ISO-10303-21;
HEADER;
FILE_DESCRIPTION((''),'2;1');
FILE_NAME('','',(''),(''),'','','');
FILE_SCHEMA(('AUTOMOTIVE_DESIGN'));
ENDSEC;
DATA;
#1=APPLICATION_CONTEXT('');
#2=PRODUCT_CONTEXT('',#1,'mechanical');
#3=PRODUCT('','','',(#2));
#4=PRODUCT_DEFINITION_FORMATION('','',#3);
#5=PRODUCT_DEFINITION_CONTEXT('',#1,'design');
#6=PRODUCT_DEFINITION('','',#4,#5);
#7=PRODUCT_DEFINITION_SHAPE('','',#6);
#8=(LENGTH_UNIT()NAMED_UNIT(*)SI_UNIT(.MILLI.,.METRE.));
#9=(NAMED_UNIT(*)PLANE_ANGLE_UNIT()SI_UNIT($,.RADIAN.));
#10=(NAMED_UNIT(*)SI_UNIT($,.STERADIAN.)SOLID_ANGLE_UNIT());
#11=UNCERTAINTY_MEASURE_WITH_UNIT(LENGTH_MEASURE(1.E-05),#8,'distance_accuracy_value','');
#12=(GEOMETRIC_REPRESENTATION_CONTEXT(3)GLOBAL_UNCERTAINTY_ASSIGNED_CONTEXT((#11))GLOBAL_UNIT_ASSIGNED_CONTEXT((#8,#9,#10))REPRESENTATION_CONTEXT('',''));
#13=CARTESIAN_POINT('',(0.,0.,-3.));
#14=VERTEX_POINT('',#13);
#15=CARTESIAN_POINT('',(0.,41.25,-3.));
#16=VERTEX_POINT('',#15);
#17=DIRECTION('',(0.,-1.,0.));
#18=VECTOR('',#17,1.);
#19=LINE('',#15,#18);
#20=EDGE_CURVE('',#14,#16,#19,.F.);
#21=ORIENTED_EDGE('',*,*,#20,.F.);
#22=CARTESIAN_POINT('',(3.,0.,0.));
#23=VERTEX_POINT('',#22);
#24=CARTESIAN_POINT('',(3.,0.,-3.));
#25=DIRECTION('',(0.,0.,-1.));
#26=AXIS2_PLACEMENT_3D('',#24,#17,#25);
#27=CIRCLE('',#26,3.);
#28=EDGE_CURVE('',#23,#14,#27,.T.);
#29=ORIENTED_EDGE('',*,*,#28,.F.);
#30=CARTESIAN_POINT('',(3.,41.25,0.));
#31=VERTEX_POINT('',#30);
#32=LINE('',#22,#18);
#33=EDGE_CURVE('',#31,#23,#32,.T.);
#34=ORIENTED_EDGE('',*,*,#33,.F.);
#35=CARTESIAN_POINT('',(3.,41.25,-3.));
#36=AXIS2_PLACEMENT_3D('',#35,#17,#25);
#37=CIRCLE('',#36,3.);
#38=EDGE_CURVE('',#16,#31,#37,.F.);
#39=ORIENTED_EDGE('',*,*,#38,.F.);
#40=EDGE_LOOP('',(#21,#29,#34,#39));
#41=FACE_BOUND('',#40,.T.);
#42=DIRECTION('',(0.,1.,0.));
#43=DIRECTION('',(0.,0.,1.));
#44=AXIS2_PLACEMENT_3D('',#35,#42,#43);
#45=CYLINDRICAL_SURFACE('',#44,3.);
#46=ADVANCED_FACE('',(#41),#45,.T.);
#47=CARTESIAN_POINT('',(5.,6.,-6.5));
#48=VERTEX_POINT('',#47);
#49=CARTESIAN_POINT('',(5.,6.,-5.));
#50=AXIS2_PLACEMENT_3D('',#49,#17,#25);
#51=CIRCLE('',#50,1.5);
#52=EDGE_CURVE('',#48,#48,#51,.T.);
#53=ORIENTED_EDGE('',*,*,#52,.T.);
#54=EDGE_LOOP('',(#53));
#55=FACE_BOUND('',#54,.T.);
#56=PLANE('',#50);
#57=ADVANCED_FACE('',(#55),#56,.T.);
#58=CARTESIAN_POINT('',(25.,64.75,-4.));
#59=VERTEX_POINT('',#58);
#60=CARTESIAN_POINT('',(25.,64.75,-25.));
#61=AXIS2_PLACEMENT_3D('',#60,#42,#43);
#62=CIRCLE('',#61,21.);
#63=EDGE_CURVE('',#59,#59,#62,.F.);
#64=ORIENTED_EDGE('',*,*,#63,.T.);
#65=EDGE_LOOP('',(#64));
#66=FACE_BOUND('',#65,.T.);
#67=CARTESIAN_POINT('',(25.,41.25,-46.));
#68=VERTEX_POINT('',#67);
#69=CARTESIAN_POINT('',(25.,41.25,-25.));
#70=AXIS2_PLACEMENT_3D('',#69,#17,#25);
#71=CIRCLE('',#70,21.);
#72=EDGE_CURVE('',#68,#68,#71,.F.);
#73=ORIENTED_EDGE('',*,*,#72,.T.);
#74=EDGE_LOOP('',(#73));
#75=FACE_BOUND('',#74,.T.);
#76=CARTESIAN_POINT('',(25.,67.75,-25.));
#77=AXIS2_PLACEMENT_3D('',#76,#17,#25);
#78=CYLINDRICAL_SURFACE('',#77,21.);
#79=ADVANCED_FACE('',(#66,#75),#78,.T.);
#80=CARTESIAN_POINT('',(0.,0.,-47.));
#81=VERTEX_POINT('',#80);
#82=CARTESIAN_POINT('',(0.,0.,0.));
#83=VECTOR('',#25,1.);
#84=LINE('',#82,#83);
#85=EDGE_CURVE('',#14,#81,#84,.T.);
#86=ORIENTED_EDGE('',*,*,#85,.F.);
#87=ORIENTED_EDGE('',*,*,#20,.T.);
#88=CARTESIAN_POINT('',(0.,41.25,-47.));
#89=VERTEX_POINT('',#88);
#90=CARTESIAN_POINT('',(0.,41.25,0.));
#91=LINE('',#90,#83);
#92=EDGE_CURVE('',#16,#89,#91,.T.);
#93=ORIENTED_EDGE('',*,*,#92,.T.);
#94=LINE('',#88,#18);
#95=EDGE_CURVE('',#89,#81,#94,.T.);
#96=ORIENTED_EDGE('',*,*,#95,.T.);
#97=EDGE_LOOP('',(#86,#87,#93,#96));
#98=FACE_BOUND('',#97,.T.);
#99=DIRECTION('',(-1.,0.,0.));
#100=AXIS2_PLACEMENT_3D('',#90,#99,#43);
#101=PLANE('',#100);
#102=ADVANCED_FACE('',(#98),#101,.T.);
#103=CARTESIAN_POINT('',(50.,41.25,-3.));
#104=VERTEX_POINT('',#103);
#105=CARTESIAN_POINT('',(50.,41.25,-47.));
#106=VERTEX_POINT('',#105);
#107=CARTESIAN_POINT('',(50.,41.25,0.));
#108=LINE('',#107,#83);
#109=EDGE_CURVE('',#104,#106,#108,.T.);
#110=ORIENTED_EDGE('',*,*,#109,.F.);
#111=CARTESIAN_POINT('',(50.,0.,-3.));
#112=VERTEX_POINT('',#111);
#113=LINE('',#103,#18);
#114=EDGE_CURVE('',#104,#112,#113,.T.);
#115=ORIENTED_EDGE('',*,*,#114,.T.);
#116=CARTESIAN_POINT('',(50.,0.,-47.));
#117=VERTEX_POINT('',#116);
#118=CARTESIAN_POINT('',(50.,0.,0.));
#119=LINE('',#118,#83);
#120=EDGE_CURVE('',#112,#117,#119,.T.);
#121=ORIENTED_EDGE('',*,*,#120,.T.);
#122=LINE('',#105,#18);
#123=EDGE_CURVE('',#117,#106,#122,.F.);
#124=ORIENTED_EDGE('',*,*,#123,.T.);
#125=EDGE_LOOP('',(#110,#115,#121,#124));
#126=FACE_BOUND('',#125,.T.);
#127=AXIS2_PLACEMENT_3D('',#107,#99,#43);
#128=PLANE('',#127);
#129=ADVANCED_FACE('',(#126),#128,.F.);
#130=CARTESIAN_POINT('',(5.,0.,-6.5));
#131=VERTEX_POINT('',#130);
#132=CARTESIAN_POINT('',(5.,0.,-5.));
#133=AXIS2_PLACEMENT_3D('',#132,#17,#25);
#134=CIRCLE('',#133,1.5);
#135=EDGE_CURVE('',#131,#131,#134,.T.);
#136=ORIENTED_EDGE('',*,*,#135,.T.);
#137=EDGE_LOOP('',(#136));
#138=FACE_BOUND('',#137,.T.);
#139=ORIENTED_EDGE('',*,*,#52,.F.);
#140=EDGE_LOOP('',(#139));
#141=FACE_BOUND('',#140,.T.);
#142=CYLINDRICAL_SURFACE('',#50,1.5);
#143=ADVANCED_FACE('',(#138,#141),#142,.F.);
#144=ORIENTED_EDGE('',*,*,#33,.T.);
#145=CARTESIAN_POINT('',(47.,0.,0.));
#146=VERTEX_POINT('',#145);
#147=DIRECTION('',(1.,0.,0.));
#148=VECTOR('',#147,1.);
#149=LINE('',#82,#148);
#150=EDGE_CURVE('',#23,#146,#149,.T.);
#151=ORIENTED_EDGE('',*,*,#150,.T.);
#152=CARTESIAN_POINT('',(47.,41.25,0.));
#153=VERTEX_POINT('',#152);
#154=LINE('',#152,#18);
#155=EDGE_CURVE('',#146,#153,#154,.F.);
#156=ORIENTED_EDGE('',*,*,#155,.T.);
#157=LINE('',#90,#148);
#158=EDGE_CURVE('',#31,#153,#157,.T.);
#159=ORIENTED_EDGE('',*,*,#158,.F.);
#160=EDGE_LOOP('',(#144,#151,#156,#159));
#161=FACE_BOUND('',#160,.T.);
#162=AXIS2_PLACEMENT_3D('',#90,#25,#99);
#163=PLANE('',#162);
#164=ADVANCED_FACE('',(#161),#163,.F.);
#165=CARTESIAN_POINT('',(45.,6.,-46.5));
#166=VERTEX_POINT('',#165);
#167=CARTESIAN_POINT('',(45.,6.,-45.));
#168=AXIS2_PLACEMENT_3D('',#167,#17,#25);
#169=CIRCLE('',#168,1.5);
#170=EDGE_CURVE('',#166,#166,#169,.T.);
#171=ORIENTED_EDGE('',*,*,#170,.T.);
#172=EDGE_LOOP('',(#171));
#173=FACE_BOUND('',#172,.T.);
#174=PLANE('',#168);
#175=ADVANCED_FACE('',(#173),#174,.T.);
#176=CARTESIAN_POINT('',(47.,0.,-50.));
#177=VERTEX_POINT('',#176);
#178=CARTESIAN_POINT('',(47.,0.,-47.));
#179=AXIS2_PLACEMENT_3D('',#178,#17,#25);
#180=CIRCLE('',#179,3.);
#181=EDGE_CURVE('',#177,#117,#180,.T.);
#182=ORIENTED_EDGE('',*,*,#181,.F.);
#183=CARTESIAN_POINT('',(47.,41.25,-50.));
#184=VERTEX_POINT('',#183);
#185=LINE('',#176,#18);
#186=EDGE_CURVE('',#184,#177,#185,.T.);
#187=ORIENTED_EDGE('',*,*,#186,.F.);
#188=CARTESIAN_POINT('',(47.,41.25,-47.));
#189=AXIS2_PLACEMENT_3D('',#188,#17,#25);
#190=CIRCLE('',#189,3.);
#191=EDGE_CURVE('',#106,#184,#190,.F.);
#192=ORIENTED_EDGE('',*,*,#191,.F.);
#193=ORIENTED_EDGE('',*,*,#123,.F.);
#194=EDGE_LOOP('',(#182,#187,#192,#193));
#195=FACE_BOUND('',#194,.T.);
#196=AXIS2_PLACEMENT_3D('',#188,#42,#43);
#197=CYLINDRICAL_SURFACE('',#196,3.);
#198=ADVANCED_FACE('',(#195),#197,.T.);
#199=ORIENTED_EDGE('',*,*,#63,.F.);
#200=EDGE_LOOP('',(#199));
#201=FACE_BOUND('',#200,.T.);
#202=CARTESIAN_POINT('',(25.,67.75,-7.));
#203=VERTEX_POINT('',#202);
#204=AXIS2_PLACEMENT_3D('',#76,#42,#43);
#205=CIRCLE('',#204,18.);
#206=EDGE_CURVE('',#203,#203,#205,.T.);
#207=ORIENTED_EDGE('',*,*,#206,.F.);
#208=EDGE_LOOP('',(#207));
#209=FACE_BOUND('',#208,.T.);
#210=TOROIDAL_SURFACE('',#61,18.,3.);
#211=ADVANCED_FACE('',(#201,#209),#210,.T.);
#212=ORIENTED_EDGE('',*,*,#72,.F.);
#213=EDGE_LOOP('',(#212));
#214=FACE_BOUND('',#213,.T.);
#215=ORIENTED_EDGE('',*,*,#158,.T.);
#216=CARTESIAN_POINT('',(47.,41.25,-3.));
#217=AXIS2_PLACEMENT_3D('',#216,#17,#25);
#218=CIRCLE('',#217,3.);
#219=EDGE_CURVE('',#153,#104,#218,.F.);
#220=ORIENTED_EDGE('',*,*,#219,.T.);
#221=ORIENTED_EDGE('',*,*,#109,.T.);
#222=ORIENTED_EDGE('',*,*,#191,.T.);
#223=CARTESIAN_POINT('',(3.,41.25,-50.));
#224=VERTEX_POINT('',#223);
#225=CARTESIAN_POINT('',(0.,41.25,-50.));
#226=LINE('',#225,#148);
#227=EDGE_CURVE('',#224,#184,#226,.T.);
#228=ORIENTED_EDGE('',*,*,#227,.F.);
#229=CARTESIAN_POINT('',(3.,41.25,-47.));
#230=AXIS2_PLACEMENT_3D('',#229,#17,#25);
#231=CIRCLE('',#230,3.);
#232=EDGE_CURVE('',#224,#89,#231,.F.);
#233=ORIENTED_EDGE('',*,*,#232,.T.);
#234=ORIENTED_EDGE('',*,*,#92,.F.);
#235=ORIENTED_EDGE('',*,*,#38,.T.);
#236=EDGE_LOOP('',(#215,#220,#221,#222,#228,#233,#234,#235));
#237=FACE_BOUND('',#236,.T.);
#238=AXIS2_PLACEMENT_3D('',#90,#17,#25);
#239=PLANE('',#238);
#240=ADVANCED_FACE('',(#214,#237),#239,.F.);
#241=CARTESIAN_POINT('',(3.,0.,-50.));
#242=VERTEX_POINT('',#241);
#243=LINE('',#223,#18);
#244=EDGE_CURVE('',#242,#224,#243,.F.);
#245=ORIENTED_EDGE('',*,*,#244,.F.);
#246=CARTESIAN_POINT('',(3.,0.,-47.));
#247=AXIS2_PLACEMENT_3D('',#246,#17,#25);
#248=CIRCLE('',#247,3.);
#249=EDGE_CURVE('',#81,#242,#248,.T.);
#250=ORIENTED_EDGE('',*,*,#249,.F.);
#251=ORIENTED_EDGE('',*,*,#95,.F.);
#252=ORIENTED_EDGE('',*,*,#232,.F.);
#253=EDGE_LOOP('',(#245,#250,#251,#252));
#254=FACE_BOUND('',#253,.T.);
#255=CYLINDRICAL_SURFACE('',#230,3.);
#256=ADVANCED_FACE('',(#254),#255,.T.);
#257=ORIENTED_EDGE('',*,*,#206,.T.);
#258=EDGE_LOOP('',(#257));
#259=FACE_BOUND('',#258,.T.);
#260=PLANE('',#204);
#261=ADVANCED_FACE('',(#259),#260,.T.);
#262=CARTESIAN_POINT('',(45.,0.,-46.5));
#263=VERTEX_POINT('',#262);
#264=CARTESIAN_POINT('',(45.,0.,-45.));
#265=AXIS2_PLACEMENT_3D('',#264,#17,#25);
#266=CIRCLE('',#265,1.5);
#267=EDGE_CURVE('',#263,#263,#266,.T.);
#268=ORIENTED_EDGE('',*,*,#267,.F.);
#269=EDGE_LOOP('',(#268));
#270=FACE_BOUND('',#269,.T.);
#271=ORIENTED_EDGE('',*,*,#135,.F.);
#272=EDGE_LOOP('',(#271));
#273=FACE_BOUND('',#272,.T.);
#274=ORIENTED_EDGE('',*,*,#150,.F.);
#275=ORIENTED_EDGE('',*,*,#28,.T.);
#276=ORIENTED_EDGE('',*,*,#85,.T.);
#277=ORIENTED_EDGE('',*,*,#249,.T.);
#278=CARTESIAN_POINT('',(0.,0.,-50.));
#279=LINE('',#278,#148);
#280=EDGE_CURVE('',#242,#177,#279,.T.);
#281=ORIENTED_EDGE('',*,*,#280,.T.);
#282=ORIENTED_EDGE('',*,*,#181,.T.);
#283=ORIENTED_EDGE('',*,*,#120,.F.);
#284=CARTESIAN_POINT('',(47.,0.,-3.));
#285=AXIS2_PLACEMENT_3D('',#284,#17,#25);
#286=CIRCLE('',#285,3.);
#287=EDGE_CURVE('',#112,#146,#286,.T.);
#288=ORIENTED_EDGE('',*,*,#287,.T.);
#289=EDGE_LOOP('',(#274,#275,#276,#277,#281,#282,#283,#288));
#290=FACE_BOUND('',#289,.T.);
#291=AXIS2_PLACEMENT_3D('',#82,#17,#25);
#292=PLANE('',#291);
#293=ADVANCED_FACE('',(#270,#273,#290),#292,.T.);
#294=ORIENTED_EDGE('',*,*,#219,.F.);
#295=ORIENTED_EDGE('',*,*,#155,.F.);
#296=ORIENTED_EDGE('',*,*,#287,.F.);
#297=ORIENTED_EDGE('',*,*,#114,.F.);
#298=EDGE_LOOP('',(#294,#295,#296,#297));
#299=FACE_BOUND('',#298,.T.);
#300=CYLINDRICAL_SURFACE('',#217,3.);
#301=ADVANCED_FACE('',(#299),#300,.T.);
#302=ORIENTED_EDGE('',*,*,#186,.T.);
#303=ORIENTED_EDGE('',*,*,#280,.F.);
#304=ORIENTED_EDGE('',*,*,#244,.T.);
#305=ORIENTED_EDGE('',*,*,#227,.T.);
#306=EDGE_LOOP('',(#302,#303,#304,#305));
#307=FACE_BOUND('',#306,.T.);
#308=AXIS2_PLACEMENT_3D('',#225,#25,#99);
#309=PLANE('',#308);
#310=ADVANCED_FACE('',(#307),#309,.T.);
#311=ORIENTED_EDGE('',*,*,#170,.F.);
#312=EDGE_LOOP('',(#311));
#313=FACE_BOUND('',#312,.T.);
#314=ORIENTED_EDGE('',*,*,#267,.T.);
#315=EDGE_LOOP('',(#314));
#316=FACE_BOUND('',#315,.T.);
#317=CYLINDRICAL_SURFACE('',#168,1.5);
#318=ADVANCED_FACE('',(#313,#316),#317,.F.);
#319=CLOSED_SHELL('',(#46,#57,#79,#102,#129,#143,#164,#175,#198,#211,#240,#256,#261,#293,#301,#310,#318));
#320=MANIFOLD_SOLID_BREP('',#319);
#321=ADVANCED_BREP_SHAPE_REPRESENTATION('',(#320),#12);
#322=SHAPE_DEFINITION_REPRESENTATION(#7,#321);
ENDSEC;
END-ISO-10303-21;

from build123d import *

# Parameters (mm, degrees)
SKETCH1_W           = 50
SKETCH1_H           = 50
BOSS_EXTRUDE1_DEPTH = 41.25
SKETCH2_R           = 1.5
CUT_EXTRUDE1_DEPTH  = 6
SKETCH3_R           = 21
BOSS_EXTRUDE2_DEPTH = 26.5
FILLET1_R           = 3


with BuildPart() as part:
    # Sketch1 → Boss-Extrude1 (new body)
    with BuildSketch(Plane(origin=(0, 0, 0), x_dir=(1, 0, 0), z_dir=(0, 1, 0))):
        with Locations((25, 25)):
            Rectangle(SKETCH1_W, SKETCH1_H)
    extrude(amount=BOSS_EXTRUDE1_DEPTH)

    # Sketch2 → Cut-Extrude1 (cut)
    with BuildSketch(Plane.XZ):
        with Locations((5, -5)):
            Circle(SKETCH2_R)
        with Locations((45, -45)):
            Circle(SKETCH2_R)
    extrude(amount=-CUT_EXTRUDE1_DEPTH, mode=Mode.SUBTRACT)

    # Sketch3 → Boss-Extrude2 (add)
    with BuildSketch(Plane(origin=(0, 41.25, 0), x_dir=(1, 0, 0), z_dir=(0, 1, 0))):
        with Locations((25, 25)):
            Circle(SKETCH3_R)
    extrude(amount=BOSS_EXTRUDE2_DEPTH)

    # Fillet1
    fillet1_edges = [part.edges().sort_by_distance(p)[0] for p in [
        (4, 67.75, -25),
        (0, 20.625, 0),
        (50, 20.625, 0),
        (50, 20.625, -50),
        (0, 20.625, -50),
    ]]
    fillet(fillet1_edges, radius=FILLET1_R)


solid = part.part
